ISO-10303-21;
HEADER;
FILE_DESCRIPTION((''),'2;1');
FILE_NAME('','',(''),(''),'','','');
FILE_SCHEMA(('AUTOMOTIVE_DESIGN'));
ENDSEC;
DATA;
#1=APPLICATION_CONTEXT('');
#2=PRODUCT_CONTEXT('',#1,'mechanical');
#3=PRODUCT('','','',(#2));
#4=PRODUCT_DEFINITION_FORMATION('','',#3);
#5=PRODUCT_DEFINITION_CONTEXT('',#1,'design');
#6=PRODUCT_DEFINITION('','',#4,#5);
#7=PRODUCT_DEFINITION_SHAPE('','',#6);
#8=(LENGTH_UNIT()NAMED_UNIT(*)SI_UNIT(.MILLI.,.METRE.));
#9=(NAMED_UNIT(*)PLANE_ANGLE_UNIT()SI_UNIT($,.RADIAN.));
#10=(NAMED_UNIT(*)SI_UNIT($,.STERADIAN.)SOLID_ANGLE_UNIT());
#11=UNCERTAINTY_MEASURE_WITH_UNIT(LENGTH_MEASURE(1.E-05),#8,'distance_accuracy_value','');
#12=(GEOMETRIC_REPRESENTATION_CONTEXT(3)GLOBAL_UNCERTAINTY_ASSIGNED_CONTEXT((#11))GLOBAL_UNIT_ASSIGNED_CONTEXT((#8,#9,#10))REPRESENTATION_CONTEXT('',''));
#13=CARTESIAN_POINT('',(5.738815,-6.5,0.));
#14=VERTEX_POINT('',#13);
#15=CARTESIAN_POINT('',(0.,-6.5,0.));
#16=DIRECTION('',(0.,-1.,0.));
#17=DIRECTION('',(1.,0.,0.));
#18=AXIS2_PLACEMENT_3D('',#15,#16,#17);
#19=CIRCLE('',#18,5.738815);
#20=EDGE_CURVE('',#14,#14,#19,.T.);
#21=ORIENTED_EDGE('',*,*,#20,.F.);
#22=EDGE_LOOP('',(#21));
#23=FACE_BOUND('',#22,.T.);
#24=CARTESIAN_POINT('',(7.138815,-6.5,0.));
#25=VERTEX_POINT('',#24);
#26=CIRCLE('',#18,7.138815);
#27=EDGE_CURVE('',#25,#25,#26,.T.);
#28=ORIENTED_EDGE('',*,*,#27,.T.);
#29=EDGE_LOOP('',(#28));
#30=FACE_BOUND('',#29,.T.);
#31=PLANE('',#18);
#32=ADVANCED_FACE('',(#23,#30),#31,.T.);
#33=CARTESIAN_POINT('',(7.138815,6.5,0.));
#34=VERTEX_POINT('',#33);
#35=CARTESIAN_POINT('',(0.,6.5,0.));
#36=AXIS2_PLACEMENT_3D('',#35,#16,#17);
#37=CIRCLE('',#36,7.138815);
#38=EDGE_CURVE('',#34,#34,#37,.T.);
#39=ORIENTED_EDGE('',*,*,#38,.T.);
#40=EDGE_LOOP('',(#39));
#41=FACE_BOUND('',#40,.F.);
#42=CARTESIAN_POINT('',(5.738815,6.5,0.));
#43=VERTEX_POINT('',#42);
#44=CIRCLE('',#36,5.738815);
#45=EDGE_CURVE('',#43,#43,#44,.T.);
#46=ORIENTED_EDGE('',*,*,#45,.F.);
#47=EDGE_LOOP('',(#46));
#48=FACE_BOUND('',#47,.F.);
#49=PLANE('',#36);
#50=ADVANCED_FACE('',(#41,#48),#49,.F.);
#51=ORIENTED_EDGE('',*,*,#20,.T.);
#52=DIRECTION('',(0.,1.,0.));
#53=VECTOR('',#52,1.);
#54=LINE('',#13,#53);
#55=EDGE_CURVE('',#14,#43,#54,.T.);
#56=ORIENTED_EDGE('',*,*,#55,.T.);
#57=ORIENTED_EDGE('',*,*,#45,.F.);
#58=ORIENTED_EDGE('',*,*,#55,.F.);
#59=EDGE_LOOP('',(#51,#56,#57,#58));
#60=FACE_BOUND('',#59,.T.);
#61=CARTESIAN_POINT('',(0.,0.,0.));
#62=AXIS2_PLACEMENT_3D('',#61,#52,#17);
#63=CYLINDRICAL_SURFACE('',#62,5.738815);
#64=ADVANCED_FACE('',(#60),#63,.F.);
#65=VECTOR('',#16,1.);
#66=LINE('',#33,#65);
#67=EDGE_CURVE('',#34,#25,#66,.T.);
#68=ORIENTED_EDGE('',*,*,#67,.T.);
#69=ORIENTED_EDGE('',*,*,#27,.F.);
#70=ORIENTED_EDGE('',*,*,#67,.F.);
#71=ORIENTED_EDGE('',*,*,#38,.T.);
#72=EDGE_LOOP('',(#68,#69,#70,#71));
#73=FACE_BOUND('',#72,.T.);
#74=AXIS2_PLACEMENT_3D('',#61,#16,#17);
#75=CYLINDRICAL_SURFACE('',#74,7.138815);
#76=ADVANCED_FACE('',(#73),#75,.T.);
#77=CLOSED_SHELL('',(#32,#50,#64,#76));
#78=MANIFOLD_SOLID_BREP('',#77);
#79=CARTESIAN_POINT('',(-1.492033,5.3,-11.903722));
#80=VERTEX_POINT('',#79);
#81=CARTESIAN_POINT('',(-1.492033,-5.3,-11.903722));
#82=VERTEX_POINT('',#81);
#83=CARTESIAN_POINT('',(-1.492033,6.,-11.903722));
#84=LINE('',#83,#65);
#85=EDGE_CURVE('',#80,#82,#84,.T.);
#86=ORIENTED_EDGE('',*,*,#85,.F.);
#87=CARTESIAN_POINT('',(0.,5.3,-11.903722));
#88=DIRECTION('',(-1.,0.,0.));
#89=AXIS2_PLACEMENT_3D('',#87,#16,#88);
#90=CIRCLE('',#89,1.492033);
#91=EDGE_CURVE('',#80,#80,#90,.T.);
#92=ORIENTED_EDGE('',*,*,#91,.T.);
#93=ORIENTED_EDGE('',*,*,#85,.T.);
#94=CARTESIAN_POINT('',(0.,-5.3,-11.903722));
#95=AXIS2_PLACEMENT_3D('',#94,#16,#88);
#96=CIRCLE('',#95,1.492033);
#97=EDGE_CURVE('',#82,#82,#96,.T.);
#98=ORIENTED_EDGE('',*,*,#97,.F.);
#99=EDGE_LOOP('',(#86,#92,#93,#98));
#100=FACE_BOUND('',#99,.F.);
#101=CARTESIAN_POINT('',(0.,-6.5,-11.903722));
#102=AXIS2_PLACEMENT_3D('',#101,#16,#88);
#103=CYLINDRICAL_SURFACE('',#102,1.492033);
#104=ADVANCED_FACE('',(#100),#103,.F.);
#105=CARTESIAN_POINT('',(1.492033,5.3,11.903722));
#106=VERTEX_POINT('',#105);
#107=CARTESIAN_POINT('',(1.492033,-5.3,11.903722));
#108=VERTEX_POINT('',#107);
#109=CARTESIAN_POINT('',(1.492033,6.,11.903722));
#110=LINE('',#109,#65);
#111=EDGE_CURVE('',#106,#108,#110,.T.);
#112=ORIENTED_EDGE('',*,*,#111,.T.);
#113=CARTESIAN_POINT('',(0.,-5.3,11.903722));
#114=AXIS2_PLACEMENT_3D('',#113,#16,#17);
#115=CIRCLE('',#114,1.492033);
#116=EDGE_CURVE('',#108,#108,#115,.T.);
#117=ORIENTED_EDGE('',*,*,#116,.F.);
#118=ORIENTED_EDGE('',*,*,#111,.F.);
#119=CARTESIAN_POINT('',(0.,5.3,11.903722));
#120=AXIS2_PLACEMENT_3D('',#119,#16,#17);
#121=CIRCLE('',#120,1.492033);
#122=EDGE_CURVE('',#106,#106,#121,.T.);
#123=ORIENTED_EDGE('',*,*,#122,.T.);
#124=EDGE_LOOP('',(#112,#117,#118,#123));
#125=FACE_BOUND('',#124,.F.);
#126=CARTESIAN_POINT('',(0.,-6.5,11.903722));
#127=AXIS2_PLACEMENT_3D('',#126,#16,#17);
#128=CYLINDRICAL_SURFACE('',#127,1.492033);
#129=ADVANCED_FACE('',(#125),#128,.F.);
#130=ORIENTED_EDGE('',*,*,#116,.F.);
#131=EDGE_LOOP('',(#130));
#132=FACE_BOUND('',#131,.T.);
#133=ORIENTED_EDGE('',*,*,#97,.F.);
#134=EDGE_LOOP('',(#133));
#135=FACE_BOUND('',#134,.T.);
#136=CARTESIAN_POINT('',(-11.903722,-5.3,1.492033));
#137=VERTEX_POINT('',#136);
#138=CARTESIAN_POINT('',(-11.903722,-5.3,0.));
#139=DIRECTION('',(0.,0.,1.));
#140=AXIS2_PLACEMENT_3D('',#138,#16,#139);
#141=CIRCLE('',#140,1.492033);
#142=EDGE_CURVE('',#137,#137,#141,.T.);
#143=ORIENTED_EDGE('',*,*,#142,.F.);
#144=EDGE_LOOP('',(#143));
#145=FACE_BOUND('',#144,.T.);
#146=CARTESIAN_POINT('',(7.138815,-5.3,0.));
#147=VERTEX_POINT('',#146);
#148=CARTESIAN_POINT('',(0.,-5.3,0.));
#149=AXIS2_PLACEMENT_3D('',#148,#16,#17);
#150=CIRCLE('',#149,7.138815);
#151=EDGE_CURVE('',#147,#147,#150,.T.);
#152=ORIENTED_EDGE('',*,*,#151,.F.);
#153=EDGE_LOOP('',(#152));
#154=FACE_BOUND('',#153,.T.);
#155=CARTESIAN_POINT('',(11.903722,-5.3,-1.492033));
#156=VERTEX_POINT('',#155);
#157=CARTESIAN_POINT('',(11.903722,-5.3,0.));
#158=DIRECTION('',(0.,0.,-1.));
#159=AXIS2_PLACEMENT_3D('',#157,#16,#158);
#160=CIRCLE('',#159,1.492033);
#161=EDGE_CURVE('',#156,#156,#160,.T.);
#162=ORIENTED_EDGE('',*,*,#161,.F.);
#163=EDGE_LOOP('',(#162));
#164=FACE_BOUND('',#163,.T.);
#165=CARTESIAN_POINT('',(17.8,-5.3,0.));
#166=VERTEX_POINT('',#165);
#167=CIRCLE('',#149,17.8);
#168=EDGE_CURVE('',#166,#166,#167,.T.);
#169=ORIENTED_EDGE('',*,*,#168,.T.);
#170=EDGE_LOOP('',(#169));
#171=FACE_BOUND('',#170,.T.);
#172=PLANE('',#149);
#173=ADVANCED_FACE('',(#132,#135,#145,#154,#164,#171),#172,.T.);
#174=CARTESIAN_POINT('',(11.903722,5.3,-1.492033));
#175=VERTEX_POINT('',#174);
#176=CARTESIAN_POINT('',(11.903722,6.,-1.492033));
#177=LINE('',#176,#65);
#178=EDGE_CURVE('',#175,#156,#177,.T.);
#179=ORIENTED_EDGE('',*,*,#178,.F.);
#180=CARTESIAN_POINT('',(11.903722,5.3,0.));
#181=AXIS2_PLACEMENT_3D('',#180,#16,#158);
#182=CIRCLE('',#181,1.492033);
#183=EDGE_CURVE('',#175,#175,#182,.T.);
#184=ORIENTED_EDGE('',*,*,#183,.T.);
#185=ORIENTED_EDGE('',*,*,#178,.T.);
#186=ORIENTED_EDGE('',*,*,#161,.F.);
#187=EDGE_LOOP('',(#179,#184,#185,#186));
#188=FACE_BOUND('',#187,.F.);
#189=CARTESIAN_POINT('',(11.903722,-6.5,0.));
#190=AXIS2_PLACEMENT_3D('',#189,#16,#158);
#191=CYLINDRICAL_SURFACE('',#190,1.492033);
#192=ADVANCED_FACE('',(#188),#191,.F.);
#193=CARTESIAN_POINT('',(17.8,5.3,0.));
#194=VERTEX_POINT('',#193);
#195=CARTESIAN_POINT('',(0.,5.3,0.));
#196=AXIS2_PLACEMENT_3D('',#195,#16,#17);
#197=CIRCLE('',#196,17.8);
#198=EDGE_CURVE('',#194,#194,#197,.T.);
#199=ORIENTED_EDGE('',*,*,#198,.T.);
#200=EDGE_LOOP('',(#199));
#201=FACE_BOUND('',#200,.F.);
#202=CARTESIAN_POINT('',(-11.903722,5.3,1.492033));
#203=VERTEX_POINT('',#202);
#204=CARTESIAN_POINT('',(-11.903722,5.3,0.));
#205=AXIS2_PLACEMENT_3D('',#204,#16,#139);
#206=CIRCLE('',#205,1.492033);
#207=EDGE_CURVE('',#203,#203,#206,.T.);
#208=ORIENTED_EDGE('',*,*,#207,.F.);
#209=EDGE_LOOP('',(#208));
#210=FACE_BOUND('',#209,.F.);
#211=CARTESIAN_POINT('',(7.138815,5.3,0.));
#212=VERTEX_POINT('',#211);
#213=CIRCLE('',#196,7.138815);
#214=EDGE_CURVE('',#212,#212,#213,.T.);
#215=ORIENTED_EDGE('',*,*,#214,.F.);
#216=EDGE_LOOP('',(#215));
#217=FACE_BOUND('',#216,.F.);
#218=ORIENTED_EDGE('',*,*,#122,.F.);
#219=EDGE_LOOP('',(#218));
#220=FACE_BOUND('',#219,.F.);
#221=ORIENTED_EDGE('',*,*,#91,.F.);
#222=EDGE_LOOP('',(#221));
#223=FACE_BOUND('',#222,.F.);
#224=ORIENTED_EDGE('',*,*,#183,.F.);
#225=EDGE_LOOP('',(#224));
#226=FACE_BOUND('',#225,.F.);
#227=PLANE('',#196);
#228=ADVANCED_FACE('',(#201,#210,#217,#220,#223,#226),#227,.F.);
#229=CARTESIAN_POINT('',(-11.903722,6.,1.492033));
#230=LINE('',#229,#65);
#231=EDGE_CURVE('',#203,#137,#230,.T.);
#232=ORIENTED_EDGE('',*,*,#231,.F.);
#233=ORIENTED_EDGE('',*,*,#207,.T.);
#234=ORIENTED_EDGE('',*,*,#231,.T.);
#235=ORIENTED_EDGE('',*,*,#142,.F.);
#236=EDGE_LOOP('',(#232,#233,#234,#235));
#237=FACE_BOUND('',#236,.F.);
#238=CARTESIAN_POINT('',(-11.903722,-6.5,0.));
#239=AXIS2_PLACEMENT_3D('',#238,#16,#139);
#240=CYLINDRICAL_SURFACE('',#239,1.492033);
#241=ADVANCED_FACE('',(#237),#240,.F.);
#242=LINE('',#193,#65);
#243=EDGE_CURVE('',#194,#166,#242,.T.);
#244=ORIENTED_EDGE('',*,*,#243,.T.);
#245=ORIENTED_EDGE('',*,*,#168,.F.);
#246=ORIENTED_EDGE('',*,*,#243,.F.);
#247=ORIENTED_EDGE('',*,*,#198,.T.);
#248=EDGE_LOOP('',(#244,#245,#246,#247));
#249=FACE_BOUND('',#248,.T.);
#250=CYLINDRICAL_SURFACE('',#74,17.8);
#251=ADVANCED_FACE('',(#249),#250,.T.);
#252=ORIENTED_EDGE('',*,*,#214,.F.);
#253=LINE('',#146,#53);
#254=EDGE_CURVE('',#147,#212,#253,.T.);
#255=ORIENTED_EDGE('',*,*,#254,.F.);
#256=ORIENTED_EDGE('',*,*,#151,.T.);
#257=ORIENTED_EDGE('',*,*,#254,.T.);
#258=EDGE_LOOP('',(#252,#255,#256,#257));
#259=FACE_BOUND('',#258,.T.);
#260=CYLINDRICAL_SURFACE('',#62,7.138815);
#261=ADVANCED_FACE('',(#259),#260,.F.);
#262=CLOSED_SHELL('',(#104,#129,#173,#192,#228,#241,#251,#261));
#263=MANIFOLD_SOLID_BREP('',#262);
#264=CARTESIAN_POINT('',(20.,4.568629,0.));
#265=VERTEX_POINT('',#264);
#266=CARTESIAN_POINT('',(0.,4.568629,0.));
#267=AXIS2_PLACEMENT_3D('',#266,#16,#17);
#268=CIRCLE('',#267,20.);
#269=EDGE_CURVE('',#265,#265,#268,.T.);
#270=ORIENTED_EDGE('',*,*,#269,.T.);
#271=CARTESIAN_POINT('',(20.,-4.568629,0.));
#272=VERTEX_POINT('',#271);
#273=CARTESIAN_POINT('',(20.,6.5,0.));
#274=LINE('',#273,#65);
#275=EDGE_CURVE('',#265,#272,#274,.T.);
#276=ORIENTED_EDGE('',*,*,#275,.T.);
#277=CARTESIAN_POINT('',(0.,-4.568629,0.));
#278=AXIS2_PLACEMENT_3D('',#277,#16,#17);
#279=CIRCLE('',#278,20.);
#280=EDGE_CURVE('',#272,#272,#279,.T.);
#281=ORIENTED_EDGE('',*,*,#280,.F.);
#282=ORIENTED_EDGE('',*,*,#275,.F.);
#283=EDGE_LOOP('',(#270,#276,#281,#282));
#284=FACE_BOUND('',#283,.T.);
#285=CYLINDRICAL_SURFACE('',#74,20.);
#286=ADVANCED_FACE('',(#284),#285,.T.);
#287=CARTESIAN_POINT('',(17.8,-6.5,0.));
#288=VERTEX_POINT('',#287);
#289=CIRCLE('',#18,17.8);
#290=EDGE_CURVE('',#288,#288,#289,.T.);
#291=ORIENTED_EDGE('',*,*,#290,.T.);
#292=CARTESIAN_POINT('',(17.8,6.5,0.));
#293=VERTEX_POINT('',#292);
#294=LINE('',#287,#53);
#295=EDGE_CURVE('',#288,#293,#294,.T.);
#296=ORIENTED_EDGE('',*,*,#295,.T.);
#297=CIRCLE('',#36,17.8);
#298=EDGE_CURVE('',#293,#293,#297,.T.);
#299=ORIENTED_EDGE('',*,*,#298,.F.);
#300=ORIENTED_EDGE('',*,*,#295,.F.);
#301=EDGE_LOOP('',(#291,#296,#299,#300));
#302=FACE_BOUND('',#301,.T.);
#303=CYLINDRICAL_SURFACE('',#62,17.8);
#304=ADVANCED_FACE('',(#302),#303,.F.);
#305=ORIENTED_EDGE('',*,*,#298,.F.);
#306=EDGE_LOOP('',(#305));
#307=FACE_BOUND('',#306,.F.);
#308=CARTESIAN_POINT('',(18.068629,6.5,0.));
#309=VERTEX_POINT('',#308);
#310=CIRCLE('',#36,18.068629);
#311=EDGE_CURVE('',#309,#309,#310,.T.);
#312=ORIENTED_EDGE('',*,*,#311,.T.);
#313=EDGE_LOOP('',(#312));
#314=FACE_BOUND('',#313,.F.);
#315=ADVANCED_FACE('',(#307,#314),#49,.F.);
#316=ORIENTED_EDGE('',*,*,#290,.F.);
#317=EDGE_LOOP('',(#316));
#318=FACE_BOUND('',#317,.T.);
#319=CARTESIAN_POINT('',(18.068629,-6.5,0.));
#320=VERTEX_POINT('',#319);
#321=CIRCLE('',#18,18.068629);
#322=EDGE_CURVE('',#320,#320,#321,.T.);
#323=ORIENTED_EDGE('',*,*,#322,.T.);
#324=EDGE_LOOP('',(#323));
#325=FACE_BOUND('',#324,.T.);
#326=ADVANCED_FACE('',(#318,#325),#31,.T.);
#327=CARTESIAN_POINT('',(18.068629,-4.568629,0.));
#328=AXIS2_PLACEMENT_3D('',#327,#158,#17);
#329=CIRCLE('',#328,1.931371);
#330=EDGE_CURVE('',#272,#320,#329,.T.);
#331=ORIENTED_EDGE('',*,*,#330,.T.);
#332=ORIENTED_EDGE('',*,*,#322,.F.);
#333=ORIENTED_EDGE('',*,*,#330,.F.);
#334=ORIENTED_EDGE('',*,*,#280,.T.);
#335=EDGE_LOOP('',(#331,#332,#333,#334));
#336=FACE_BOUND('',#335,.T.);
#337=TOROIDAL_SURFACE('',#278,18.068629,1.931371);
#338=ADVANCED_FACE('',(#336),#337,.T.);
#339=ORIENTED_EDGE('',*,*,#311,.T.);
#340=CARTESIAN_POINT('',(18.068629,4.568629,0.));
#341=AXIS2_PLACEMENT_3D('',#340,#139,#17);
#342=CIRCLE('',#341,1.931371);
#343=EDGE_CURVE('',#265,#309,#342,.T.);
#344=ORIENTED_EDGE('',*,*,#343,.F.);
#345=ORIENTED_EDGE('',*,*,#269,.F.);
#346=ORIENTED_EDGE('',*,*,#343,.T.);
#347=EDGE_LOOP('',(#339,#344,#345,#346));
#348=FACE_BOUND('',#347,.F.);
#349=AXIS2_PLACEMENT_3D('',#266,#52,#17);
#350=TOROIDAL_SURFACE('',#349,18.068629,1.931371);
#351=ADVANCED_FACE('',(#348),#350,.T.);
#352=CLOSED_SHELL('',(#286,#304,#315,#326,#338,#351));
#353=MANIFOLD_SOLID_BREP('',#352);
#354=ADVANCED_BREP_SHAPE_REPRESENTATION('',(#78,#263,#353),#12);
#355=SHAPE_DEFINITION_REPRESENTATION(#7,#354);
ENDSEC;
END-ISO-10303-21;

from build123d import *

# Parameters (mm, degrees)
F0_R     = 7.1388147771
F0_R_2   = 5.738815
F1_DEPTH = 6.5
F0_R_3   = 20
F0_R_4   = 17.7999995649
F2_DEPTH = 5.3
F3_R     = 1.9313708499
F4_R     = 1.4920329347
F5_DEPTH = 12.5
F6_COUNT = 4


with BuildPart() as f1:
    # F0 (on Front) → F1 (new body, symmetric)
    with BuildSketch(Plane.XZ):
        Circle(F0_R)
        Circle(F0_R_2, mode=Mode.SUBTRACT)
    extrude(amount=F1_DEPTH, both=True)


with BuildPart() as f1b:
    # F0 (on Front) → F1, piece 2 (new body, symmetric)
    with BuildSketch(Plane.XZ):
        Circle(F0_R_3)
        Circle(F0_R_4, mode=Mode.SUBTRACT)
    extrude(amount=F1_DEPTH, both=True)

    # F3
    f3_edges = [f1b.edges().sort_by_distance(p)[0] for p in [
        (-20, -6.5, 0),
        (-20, 6.5, 0),
    ]]
    fillet(f3_edges, radius=F3_R)


with BuildPart() as f2:
    # F0 (on Front) → F2 (new body, symmetric)
    with BuildSketch(Plane.XZ):
        Circle(F0_R_4)
        Circle(F0_R, mode=Mode.SUBTRACT)
    extrude(amount=F2_DEPTH, both=True)

    # F4 (on face) → F5 (cut, symmetric)
    with BuildSketch(Plane.XZ.offset(6.5)):
        with Locations((0, 11.9037220751)):
            Circle(F4_R)
    f5 = extrude(amount=F5_DEPTH, both=True, mode=Mode.SUBTRACT)

    # F6: F5 ×4 about axis
    f6_axis = Axis((0, 0, 0), (0, 1, 0))
    for i in range(1, F6_COUNT):
        add(f5.rotate(f6_axis, i * 360 / F6_COUNT), mode=Mode.SUBTRACT)


solid = Compound([f1.part, f1b.part, f2.part])
